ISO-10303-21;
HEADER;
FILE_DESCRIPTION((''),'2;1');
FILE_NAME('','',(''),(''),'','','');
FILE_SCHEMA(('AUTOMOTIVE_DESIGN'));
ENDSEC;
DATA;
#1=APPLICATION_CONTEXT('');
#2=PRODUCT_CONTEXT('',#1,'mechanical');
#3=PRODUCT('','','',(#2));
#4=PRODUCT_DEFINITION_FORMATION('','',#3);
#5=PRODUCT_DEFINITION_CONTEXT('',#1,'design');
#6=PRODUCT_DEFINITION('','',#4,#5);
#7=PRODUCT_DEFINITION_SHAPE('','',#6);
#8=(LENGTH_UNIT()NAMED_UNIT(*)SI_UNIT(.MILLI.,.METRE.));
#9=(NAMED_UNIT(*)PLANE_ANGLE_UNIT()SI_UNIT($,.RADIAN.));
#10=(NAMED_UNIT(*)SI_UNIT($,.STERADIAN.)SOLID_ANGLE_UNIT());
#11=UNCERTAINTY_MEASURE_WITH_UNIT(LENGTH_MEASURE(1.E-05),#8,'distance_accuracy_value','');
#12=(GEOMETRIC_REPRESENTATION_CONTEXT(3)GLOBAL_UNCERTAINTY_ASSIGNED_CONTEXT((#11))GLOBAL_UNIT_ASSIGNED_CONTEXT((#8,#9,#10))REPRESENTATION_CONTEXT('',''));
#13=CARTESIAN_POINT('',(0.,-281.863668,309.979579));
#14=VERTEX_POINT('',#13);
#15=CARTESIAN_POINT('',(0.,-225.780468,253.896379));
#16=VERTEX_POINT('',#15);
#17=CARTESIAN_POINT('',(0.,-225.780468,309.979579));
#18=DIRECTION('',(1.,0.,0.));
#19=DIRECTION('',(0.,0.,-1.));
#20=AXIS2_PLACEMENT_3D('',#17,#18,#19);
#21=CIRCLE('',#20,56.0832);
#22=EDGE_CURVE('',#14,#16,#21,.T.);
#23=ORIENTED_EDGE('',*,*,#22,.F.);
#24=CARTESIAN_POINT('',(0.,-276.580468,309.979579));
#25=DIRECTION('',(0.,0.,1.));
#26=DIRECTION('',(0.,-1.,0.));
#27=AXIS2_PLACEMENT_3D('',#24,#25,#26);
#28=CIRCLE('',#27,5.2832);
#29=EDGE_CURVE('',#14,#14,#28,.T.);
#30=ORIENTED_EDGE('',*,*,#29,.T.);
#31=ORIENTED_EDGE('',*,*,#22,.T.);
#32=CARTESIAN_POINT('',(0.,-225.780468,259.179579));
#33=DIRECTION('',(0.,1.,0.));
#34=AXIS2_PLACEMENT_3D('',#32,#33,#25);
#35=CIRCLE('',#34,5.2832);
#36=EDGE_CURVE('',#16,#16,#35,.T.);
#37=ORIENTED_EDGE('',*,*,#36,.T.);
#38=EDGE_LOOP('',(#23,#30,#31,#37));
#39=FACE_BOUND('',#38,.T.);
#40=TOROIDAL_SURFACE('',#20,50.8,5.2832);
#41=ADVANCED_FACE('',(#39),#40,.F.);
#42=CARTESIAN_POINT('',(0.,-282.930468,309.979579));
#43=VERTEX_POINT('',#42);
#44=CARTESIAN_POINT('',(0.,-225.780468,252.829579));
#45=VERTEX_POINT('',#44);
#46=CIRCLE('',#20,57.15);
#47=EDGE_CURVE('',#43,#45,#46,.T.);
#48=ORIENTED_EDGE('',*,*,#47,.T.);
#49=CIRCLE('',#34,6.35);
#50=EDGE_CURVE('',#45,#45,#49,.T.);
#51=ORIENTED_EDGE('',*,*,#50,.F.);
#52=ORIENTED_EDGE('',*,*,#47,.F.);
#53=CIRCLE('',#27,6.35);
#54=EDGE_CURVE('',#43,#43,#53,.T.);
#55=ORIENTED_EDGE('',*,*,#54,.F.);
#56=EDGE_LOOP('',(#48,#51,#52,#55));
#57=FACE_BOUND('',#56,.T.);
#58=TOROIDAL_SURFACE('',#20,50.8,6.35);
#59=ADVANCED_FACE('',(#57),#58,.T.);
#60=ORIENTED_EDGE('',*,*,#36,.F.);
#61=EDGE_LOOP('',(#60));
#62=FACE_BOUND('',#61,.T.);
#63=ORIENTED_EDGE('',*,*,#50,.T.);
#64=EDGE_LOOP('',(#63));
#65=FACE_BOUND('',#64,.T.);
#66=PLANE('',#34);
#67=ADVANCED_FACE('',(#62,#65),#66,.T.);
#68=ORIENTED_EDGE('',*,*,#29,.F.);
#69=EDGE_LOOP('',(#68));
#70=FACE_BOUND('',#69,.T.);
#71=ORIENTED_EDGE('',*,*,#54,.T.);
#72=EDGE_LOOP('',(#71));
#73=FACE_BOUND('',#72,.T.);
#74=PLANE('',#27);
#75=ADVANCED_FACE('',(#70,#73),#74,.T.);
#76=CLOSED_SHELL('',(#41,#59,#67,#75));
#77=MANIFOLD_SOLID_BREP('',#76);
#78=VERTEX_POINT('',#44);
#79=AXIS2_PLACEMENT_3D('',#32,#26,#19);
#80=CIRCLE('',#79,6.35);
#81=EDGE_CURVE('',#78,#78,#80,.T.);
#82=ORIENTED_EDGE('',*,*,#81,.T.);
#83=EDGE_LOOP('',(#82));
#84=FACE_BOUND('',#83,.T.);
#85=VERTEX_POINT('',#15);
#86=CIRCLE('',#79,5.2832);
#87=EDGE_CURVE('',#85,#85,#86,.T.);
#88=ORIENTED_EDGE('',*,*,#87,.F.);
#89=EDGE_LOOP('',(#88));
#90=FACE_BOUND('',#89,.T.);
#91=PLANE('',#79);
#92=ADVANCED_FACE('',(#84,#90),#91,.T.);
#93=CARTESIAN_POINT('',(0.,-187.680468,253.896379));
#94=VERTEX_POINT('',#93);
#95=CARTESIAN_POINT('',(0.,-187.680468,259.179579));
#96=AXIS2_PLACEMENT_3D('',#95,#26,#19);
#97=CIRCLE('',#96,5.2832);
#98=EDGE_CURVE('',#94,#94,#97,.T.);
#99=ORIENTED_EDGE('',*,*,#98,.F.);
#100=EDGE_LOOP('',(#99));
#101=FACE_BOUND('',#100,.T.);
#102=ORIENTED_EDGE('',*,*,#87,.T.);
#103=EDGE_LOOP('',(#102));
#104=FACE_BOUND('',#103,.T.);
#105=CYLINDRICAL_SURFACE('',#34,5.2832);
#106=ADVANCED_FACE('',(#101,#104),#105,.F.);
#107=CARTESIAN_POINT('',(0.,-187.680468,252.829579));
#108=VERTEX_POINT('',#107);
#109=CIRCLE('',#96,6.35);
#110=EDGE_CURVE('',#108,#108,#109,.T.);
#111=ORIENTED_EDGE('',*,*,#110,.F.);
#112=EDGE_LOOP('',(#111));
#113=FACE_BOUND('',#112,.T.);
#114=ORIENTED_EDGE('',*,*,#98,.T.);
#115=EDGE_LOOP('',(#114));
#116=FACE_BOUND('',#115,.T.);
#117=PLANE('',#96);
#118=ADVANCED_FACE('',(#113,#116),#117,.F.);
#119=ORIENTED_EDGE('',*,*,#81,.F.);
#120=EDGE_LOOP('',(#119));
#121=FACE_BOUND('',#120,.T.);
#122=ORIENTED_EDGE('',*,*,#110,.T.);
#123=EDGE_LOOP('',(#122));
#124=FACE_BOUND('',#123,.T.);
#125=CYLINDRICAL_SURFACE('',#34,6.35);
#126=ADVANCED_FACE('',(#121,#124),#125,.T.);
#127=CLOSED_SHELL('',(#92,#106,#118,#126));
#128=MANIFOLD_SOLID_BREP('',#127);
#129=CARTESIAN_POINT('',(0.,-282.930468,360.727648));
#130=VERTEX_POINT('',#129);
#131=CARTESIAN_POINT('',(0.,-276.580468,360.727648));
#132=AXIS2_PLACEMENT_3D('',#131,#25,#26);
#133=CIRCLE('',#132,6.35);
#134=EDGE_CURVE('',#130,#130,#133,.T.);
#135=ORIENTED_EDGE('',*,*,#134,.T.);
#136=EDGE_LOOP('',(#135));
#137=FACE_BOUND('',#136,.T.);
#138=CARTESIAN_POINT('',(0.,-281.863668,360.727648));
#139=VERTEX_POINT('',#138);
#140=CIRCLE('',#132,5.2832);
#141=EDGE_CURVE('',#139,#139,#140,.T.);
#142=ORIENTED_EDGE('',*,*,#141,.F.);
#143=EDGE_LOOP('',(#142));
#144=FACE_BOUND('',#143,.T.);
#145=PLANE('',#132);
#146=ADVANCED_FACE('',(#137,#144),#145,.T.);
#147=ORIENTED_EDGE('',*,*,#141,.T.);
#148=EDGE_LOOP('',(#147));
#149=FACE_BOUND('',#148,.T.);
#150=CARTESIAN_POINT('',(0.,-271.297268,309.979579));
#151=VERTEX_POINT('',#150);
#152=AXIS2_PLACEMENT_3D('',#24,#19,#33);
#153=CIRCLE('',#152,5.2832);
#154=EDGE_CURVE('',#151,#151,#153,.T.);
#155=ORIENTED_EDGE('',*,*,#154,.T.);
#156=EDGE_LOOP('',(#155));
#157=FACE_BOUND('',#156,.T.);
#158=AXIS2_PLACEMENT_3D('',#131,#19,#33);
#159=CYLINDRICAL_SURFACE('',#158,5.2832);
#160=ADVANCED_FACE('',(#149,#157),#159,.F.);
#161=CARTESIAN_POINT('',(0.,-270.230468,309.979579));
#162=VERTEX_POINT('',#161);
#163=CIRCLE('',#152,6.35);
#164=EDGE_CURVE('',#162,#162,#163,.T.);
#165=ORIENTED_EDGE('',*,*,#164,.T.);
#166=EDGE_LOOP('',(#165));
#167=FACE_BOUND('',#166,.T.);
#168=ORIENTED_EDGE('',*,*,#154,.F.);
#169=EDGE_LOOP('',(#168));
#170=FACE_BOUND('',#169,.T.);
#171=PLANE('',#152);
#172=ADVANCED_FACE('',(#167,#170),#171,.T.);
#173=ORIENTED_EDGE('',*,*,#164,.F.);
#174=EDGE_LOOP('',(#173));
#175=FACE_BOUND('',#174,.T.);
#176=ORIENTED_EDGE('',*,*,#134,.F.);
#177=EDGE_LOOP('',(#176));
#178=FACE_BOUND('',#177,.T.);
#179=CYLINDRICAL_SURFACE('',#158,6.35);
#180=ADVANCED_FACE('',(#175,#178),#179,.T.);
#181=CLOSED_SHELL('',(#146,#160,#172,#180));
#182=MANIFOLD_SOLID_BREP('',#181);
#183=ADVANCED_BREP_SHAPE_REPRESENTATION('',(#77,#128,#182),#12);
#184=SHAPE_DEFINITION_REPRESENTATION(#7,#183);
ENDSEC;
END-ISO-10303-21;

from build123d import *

# Parameters (mm, degrees)
SKETCH1_R                 = 6.35
SKETCH1_R_2               = 5.2832
PIPE_0_5_SCH_40_1_DEPTH   = 38.1
SKETCH1_ON_SEGMENT_2_R    = 6.35
SKETCH1_ON_SEGMENT_2_R_2  = 5.2832
PIPE_0_5_SCH_40_1_2_ANGLE = 90
SKETCH1_ON_SEGMENT_3_R    = 6.35
SKETCH1_ON_SEGMENT_3_R_2  = 5.2832
PIPE_0_5_SCH_40_1_3_DEPTH = 50.748068919


with BuildPart() as part:
    # Sketch1 → Pipe 0.5 SCH 40(1) (new body)
    with BuildSketch(Plane(origin=(0, -187.680467918, 259.179579455), x_dir=(0, 0, -1), z_dir=(0, -1, 0))):
        Circle(SKETCH1_R)
        Circle(SKETCH1_R_2, mode=Mode.SUBTRACT)
    extrude(amount=PIPE_0_5_SCH_40_1_DEPTH)


with BuildPart() as body_2:
    # Sketch1 on segment 2 (carried to the start of arc 2) → Pipe 0.5 SCH 40_1 2 (revolve)
    with BuildSketch(Plane(origin=(0, -225.780467918, 259.179579455), x_dir=(0, 0, -1), z_dir=(0, -1, 0))):
        Circle(SKETCH1_ON_SEGMENT_2_R)
        Circle(SKETCH1_ON_SEGMENT_2_R_2, mode=Mode.SUBTRACT)
    revolve(axis=Axis((0, -225.780467918, 309.979579455), (-1, 0, 0)), revolution_arc=PIPE_0_5_SCH_40_1_2_ANGLE)


with BuildPart() as body_3:
    # Sketch1 on segment 3 (carried to segment 3) → Pipe 0.5 SCH 40_1 3 (new body)
    with BuildSketch(Plane(origin=(0, -276.580467918, 309.979579455), x_dir=(0, -1, 0), z_dir=(0, 0, 1))):
        Circle(SKETCH1_ON_SEGMENT_3_R)
        Circle(SKETCH1_ON_SEGMENT_3_R_2, mode=Mode.SUBTRACT)
    extrude(amount=PIPE_0_5_SCH_40_1_3_DEPTH)


solid = Compound([part.part, body_2.part, body_3.part])
